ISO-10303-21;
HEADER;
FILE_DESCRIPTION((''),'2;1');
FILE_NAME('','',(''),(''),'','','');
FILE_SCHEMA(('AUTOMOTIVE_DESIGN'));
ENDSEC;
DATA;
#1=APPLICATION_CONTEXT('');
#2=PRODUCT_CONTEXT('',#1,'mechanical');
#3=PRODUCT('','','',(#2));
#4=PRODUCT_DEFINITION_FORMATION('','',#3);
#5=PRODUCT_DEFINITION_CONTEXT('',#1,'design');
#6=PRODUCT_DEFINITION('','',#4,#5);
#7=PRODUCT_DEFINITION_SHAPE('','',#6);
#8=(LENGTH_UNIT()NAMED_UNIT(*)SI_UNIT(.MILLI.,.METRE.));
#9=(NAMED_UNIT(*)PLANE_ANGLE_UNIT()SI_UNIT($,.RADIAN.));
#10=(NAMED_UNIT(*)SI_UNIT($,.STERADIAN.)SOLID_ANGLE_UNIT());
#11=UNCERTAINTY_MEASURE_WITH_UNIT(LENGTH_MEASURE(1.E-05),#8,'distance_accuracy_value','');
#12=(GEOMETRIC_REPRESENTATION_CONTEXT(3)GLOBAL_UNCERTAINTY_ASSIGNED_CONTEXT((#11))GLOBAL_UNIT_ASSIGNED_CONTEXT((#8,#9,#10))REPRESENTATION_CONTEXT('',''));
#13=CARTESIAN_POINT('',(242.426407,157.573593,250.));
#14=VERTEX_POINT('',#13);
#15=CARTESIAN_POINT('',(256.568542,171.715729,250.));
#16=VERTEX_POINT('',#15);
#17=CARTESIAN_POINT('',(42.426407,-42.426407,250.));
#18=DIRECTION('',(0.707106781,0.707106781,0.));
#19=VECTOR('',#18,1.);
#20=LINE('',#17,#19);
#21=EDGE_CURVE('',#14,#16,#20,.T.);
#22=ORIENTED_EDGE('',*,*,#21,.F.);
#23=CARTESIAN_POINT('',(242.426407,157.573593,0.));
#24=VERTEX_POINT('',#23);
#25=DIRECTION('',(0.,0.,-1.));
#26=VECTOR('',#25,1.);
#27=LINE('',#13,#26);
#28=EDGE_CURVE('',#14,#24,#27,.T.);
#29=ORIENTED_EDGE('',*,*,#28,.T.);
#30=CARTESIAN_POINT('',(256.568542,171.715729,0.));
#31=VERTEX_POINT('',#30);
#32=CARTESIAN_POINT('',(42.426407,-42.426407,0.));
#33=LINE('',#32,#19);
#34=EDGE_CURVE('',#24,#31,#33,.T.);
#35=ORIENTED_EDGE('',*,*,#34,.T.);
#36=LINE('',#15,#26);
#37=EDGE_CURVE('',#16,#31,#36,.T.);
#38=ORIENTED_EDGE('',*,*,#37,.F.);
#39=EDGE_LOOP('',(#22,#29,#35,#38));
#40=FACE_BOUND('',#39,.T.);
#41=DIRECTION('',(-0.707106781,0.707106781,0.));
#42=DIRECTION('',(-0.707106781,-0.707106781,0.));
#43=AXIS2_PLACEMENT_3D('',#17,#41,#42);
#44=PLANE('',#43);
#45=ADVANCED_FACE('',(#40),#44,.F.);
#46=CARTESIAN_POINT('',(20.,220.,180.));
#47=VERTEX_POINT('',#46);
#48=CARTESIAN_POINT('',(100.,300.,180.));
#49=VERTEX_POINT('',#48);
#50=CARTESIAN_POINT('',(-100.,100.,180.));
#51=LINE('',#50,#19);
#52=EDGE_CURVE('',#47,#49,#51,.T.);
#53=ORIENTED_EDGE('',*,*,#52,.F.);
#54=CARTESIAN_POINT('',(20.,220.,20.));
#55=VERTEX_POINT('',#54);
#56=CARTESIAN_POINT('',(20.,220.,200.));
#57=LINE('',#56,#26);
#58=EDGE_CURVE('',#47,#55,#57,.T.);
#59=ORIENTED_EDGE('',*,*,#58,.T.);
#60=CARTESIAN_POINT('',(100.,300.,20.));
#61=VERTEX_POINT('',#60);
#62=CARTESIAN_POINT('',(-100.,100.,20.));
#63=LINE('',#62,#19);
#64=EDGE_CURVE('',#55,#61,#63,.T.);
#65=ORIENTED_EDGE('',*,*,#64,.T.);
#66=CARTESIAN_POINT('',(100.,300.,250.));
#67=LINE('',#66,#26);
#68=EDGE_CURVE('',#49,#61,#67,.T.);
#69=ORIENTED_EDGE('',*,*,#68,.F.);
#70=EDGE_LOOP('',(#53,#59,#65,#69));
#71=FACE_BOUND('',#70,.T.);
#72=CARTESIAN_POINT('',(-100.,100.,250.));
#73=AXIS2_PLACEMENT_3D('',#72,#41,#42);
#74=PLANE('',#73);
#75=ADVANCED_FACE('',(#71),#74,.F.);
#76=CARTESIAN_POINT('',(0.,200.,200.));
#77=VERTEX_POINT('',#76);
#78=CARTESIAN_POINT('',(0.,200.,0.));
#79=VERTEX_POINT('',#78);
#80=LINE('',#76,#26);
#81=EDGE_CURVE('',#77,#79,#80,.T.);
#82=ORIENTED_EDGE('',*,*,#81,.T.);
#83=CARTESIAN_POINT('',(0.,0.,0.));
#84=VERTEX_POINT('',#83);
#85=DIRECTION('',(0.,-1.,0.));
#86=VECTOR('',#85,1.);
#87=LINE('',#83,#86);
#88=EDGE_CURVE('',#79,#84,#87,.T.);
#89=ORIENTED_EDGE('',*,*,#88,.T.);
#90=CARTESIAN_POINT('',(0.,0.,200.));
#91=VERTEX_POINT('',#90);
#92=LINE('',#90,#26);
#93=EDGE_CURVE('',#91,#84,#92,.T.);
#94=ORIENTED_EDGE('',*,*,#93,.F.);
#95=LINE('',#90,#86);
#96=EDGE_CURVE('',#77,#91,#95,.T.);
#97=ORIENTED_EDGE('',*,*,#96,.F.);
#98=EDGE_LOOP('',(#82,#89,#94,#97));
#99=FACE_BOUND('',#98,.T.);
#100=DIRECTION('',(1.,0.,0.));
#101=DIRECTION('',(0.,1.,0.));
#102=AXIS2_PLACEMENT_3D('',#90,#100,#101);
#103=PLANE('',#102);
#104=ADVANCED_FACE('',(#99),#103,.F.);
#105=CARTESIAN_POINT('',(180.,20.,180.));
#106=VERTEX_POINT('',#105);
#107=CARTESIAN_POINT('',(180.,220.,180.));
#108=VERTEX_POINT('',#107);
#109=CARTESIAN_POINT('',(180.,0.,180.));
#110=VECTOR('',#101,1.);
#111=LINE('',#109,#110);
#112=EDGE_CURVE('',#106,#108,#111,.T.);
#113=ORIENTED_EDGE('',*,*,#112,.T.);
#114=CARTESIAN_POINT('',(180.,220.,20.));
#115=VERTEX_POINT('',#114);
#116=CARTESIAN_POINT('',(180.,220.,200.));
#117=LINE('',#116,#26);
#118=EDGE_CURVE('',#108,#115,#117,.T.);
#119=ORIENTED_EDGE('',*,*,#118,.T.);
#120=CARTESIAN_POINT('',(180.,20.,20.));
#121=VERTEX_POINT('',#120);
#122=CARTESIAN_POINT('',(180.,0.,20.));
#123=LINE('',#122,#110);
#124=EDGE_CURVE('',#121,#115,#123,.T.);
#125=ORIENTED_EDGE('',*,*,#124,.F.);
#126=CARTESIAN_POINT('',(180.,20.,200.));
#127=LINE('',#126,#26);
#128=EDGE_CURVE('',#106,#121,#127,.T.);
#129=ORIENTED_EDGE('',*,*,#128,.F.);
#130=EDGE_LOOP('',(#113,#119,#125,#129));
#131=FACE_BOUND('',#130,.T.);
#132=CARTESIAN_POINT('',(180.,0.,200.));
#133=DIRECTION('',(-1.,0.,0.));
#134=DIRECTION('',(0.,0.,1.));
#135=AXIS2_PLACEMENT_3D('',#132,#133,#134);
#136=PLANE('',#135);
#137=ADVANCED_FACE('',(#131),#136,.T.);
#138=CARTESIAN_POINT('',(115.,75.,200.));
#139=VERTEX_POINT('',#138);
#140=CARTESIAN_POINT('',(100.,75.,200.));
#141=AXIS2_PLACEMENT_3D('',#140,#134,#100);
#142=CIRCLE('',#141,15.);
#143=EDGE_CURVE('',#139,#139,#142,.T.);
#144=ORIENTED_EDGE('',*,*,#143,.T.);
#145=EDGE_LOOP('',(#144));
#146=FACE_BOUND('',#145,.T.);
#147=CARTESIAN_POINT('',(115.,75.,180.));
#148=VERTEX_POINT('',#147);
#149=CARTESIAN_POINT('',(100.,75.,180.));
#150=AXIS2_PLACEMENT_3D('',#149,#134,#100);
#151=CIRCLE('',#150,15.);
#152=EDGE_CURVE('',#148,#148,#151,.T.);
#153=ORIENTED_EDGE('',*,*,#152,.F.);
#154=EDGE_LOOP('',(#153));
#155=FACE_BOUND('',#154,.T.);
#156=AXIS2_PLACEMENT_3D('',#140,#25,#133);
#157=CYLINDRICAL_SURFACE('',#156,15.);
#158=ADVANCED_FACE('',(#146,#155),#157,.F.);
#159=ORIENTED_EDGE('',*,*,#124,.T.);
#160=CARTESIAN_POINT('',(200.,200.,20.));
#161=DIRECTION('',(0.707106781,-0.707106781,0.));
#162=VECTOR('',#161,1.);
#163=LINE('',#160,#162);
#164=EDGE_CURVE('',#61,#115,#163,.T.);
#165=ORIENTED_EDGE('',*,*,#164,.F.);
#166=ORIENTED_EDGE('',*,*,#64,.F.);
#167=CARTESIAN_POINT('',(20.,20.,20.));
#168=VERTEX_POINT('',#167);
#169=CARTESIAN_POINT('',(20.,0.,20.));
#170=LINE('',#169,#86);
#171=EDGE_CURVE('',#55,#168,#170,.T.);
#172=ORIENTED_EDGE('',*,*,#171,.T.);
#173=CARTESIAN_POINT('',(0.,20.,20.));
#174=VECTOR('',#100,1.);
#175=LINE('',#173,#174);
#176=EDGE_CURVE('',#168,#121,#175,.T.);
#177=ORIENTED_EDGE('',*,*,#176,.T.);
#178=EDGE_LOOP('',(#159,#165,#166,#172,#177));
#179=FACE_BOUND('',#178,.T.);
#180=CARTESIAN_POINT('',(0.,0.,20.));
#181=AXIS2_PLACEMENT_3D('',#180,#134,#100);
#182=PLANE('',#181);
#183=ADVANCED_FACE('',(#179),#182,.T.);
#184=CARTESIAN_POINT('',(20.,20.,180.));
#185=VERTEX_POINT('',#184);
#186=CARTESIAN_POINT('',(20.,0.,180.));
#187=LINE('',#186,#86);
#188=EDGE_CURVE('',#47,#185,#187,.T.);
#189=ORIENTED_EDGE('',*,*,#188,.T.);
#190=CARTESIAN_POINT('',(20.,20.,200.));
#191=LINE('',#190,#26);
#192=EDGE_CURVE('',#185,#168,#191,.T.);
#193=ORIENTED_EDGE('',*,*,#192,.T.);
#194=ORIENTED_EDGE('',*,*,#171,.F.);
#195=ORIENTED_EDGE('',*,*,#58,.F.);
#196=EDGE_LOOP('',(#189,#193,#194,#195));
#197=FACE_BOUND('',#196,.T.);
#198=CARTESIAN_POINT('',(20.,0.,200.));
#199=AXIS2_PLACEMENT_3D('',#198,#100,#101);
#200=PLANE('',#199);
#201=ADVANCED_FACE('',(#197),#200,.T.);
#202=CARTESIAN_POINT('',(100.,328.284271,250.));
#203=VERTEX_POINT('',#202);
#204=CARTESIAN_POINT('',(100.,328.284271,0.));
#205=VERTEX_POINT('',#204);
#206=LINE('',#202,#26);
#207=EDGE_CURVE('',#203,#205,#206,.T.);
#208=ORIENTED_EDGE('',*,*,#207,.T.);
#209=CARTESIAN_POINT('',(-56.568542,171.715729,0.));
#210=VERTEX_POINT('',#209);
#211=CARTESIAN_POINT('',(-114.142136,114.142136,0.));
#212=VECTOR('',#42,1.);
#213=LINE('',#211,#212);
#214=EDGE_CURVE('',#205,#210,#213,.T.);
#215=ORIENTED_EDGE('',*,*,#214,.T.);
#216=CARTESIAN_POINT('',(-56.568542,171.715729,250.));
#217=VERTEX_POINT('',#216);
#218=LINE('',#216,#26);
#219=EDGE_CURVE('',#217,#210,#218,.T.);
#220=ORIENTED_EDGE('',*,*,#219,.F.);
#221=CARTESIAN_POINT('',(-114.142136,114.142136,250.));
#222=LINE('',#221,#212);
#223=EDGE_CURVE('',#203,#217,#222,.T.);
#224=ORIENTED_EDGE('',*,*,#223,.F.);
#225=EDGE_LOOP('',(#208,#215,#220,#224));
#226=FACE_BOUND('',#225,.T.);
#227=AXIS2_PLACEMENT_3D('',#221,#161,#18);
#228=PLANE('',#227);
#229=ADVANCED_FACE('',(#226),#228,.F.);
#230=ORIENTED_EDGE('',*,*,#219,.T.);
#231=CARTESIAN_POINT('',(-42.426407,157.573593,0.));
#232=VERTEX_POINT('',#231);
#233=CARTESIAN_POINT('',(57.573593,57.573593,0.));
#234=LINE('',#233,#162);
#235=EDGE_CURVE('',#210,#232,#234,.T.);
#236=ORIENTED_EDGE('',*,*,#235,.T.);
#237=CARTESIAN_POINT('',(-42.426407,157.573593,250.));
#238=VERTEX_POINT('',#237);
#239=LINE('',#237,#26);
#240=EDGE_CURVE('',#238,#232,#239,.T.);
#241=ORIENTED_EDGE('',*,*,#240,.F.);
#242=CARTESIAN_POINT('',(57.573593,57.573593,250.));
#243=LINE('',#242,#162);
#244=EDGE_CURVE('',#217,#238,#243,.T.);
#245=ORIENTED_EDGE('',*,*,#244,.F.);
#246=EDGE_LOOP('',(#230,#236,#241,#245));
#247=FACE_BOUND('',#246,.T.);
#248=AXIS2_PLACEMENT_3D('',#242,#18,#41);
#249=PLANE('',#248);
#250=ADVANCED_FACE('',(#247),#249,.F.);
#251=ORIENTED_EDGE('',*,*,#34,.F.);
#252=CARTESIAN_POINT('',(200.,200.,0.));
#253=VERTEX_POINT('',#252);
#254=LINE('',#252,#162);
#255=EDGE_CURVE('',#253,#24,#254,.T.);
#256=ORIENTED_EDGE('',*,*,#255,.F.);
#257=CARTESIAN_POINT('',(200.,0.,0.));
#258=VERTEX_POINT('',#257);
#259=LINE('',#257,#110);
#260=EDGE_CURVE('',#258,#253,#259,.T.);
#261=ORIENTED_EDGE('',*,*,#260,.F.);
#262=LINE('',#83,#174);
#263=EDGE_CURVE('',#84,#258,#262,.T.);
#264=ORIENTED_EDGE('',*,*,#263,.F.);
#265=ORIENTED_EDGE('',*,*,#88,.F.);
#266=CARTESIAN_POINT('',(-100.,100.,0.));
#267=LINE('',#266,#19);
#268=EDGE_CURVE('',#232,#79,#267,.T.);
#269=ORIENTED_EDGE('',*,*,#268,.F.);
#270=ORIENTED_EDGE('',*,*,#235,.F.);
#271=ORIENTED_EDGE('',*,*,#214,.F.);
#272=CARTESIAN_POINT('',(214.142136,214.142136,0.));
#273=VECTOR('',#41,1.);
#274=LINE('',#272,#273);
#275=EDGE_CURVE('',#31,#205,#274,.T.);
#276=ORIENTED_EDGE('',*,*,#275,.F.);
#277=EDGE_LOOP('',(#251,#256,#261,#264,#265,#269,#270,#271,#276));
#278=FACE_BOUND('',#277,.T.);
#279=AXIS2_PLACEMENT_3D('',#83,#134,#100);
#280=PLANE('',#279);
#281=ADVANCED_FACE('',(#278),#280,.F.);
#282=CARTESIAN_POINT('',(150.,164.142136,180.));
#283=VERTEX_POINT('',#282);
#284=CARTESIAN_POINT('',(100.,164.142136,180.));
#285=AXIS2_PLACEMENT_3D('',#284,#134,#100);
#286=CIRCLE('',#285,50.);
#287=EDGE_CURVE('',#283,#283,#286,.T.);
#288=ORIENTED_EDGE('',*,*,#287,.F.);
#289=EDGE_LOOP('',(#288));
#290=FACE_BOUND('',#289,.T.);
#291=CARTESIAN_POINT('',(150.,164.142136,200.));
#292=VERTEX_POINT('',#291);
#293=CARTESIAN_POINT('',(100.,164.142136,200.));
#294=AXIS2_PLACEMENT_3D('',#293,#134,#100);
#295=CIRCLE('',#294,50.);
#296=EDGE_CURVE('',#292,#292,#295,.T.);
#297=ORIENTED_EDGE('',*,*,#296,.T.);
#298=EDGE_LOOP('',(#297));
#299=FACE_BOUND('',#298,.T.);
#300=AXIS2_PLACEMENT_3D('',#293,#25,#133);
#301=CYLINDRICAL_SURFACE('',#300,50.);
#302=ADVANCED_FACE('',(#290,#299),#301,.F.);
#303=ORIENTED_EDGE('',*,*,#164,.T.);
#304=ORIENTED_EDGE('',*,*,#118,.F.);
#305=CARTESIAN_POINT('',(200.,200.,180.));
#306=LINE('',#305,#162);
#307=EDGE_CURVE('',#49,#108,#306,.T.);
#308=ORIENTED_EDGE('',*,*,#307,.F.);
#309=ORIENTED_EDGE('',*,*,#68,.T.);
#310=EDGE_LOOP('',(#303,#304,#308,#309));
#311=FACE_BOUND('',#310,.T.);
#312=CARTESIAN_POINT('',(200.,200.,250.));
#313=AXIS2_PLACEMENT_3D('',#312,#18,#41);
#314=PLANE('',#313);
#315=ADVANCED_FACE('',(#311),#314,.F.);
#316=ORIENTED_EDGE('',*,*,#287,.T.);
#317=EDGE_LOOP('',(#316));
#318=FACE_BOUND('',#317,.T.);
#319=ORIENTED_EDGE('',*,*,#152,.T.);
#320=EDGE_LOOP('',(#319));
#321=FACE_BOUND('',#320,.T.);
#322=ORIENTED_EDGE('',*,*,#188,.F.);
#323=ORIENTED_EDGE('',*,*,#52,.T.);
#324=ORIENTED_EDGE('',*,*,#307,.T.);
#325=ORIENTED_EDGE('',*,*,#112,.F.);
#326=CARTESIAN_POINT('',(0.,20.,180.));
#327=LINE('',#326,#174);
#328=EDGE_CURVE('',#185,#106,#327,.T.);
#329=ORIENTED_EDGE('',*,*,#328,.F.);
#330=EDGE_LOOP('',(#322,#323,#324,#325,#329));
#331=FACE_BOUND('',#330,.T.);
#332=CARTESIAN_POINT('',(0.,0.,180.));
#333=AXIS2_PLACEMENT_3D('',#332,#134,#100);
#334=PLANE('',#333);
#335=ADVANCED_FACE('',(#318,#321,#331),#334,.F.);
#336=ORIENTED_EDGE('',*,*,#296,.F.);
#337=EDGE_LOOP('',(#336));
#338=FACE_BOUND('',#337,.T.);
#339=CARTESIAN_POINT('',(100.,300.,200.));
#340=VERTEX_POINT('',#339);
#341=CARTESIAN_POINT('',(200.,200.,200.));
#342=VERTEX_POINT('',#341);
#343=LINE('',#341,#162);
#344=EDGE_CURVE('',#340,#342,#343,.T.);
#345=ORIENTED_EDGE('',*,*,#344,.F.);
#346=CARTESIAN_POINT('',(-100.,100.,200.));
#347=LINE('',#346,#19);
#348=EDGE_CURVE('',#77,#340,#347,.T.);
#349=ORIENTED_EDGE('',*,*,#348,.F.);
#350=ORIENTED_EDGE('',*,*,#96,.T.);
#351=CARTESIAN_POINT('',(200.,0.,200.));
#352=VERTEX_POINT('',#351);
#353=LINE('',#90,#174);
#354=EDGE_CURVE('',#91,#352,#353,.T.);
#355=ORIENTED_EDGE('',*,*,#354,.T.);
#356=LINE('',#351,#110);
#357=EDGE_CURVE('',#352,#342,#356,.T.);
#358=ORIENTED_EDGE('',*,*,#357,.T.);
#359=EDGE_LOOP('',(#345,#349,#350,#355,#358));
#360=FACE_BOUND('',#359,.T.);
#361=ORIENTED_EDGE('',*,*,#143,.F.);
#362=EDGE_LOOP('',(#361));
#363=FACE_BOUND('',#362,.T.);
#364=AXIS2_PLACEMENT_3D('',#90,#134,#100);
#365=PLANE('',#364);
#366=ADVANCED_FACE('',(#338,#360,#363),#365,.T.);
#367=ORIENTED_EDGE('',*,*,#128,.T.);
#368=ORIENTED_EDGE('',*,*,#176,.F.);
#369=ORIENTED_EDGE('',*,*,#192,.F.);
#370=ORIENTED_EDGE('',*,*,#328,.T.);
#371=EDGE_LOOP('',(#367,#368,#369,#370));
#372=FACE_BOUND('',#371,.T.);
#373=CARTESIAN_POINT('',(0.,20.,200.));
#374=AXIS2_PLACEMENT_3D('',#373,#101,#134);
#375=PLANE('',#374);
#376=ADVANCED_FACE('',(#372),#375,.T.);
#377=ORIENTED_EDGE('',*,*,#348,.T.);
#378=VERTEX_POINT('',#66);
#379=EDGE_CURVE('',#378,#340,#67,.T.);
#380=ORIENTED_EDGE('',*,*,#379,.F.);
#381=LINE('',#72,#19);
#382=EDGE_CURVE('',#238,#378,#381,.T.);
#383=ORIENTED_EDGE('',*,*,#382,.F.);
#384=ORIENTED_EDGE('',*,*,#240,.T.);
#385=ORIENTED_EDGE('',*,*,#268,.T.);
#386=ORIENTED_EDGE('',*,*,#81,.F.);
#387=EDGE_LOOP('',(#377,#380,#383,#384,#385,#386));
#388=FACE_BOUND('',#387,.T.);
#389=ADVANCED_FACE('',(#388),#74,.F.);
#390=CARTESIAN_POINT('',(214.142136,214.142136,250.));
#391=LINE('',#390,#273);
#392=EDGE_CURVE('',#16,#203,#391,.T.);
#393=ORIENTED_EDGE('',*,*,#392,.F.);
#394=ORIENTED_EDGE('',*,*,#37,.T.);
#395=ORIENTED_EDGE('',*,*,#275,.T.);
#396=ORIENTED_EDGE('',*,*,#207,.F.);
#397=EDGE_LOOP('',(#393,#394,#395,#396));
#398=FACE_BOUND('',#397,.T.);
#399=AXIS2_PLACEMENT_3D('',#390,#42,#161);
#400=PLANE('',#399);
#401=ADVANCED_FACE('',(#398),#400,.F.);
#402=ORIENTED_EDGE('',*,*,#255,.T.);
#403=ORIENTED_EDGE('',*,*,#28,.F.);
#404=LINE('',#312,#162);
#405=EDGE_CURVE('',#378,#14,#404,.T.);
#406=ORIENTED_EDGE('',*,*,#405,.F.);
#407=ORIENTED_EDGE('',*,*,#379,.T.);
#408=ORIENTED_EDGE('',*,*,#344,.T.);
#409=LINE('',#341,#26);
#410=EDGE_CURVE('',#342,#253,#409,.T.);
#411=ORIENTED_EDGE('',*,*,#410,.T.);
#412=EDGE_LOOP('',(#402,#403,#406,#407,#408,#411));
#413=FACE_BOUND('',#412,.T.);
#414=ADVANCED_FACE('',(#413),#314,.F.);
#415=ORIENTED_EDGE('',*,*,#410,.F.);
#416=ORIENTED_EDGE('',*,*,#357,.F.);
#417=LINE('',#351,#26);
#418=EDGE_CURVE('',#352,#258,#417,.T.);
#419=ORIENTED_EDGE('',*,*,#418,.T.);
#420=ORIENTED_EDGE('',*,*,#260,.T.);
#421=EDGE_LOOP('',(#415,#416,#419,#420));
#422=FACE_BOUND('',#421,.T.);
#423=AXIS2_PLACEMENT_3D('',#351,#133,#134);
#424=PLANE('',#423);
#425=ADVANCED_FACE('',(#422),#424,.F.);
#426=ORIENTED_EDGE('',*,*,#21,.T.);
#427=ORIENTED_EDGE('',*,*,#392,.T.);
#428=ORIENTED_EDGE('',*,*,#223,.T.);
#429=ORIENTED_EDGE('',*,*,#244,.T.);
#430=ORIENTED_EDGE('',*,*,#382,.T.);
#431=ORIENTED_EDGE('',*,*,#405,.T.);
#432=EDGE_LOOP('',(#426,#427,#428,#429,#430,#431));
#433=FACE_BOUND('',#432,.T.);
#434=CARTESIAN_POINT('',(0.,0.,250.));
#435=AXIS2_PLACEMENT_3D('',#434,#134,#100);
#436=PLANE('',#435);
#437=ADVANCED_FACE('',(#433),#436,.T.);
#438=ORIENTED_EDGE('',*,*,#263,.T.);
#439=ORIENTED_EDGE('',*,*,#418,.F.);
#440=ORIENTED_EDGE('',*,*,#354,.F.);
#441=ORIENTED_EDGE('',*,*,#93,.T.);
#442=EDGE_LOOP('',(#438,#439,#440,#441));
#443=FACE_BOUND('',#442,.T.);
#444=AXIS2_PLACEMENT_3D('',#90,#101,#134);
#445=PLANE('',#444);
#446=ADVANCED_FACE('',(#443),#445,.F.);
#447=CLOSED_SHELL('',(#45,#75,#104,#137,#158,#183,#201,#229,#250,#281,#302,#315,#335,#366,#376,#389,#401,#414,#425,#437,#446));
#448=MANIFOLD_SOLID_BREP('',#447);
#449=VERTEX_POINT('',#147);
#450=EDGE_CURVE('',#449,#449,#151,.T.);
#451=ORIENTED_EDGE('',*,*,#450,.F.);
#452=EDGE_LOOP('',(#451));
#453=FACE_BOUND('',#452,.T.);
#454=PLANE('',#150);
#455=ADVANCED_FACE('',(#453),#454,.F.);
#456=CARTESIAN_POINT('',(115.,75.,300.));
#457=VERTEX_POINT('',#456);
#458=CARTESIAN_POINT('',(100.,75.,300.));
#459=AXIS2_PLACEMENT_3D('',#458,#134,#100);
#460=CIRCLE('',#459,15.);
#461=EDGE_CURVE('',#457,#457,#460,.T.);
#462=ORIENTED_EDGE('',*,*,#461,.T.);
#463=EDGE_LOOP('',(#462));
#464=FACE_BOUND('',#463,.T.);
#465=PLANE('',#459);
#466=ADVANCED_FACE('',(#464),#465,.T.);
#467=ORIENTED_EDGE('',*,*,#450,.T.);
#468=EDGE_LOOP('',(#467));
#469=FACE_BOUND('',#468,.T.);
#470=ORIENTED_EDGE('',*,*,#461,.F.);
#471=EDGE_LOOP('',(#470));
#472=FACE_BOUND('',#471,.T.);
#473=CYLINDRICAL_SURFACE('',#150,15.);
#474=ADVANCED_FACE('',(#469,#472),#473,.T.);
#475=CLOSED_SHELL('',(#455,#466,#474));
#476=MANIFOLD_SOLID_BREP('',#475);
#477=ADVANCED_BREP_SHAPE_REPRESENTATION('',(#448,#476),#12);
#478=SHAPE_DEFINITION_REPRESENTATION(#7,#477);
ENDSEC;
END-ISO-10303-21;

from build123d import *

# Parameters (mm, degrees)
SKETCH1_R                = 15
SKETCH1_R_2              = 50
BOSS_EXTRUDE1_DEPTH      = 20
BOSS_EXTRUDE2_DEPTH      = 200
BOSS_EXTRUDE4_START      = 180
SKETCH1_7_R              = 15
SKETCH1_7_R_2            = 50
BOSS_EXTRUDE4_DEPTH      = 20
BOSS_EXTRUDE5_DEPTH      = 250
BOSS_EXTRUDE6_START      = 200
SKETCH1_9_R              = 15
BOSS_EXTRUDE6_DEPTH      = 100
BOSS_EXTRUDE6_DEPTH_BACK = 20


with BuildPart() as part:
    # Sketch1 → Boss-Extrude1 (new body)
    with BuildSketch(Plane.XY):
        Polygon((100, 300), (20, 220), (20, 20), (180, 20), (180, 220), align=None)
        with Locations((100, 75)):
            Circle(SKETCH1_R, mode=Mode.SUBTRACT)
        with Locations((100, 164.142135624)):
            Circle(SKETCH1_R_2, mode=Mode.SUBTRACT)
        with Locations((100, 75)):
            Circle(SKETCH1_R)
        with Locations((100, 164.142135624)):
            Circle(SKETCH1_R_2)
    extrude(amount=BOSS_EXTRUDE1_DEPTH)

    # Sketch1_5 → Boss-Extrude2 (add)
    with BuildSketch(Plane.XY):
        Polygon((0, 200), (0, 0), (200, 0), (200, 200), (180, 220), (180, 20), (20, 20), (20, 220), align=None)
    extrude(amount=BOSS_EXTRUDE2_DEPTH)

    # Sketch1_7 → Boss-Extrude4 (add)
    with BuildSketch(Plane.XY.offset(BOSS_EXTRUDE4_START)):
        Polygon((100, 300), (20, 220), (20, 20), (180, 20), (180, 220), align=None)
        with Locations((100, 75)):
            Circle(SKETCH1_7_R, mode=Mode.SUBTRACT)
        with Locations((100, 164.142135624)):
            Circle(SKETCH1_7_R_2, mode=Mode.SUBTRACT)
    extrude(amount=BOSS_EXTRUDE4_DEPTH)

    # Sketch1_8 → Boss-Extrude5 (add)
    with BuildSketch(Plane.XY):
        Polygon((0, 200), (100, 300), (200, 200), (242.426406871, 157.573593129), (256.568542495, 171.715728753), (100, 328.284271247), (-56.568542495, 171.715728753), (-42.426406871, 157.573593129), align=None)
    extrude(amount=BOSS_EXTRUDE5_DEPTH)


with BuildPart() as body_2:
    # Sketch1_9 → Boss-Extrude6 (new body, two sides)
    with BuildSketch(Plane.XY.offset(BOSS_EXTRUDE6_START)) as boss_extrude6_sk:
        with Locations((100, 75)):
            Circle(SKETCH1_9_R)
    extrude(amount=BOSS_EXTRUDE6_DEPTH)
    extrude(boss_extrude6_sk.sketch, amount=-BOSS_EXTRUDE6_DEPTH_BACK)


solid = Compound([part.part, body_2.part])
